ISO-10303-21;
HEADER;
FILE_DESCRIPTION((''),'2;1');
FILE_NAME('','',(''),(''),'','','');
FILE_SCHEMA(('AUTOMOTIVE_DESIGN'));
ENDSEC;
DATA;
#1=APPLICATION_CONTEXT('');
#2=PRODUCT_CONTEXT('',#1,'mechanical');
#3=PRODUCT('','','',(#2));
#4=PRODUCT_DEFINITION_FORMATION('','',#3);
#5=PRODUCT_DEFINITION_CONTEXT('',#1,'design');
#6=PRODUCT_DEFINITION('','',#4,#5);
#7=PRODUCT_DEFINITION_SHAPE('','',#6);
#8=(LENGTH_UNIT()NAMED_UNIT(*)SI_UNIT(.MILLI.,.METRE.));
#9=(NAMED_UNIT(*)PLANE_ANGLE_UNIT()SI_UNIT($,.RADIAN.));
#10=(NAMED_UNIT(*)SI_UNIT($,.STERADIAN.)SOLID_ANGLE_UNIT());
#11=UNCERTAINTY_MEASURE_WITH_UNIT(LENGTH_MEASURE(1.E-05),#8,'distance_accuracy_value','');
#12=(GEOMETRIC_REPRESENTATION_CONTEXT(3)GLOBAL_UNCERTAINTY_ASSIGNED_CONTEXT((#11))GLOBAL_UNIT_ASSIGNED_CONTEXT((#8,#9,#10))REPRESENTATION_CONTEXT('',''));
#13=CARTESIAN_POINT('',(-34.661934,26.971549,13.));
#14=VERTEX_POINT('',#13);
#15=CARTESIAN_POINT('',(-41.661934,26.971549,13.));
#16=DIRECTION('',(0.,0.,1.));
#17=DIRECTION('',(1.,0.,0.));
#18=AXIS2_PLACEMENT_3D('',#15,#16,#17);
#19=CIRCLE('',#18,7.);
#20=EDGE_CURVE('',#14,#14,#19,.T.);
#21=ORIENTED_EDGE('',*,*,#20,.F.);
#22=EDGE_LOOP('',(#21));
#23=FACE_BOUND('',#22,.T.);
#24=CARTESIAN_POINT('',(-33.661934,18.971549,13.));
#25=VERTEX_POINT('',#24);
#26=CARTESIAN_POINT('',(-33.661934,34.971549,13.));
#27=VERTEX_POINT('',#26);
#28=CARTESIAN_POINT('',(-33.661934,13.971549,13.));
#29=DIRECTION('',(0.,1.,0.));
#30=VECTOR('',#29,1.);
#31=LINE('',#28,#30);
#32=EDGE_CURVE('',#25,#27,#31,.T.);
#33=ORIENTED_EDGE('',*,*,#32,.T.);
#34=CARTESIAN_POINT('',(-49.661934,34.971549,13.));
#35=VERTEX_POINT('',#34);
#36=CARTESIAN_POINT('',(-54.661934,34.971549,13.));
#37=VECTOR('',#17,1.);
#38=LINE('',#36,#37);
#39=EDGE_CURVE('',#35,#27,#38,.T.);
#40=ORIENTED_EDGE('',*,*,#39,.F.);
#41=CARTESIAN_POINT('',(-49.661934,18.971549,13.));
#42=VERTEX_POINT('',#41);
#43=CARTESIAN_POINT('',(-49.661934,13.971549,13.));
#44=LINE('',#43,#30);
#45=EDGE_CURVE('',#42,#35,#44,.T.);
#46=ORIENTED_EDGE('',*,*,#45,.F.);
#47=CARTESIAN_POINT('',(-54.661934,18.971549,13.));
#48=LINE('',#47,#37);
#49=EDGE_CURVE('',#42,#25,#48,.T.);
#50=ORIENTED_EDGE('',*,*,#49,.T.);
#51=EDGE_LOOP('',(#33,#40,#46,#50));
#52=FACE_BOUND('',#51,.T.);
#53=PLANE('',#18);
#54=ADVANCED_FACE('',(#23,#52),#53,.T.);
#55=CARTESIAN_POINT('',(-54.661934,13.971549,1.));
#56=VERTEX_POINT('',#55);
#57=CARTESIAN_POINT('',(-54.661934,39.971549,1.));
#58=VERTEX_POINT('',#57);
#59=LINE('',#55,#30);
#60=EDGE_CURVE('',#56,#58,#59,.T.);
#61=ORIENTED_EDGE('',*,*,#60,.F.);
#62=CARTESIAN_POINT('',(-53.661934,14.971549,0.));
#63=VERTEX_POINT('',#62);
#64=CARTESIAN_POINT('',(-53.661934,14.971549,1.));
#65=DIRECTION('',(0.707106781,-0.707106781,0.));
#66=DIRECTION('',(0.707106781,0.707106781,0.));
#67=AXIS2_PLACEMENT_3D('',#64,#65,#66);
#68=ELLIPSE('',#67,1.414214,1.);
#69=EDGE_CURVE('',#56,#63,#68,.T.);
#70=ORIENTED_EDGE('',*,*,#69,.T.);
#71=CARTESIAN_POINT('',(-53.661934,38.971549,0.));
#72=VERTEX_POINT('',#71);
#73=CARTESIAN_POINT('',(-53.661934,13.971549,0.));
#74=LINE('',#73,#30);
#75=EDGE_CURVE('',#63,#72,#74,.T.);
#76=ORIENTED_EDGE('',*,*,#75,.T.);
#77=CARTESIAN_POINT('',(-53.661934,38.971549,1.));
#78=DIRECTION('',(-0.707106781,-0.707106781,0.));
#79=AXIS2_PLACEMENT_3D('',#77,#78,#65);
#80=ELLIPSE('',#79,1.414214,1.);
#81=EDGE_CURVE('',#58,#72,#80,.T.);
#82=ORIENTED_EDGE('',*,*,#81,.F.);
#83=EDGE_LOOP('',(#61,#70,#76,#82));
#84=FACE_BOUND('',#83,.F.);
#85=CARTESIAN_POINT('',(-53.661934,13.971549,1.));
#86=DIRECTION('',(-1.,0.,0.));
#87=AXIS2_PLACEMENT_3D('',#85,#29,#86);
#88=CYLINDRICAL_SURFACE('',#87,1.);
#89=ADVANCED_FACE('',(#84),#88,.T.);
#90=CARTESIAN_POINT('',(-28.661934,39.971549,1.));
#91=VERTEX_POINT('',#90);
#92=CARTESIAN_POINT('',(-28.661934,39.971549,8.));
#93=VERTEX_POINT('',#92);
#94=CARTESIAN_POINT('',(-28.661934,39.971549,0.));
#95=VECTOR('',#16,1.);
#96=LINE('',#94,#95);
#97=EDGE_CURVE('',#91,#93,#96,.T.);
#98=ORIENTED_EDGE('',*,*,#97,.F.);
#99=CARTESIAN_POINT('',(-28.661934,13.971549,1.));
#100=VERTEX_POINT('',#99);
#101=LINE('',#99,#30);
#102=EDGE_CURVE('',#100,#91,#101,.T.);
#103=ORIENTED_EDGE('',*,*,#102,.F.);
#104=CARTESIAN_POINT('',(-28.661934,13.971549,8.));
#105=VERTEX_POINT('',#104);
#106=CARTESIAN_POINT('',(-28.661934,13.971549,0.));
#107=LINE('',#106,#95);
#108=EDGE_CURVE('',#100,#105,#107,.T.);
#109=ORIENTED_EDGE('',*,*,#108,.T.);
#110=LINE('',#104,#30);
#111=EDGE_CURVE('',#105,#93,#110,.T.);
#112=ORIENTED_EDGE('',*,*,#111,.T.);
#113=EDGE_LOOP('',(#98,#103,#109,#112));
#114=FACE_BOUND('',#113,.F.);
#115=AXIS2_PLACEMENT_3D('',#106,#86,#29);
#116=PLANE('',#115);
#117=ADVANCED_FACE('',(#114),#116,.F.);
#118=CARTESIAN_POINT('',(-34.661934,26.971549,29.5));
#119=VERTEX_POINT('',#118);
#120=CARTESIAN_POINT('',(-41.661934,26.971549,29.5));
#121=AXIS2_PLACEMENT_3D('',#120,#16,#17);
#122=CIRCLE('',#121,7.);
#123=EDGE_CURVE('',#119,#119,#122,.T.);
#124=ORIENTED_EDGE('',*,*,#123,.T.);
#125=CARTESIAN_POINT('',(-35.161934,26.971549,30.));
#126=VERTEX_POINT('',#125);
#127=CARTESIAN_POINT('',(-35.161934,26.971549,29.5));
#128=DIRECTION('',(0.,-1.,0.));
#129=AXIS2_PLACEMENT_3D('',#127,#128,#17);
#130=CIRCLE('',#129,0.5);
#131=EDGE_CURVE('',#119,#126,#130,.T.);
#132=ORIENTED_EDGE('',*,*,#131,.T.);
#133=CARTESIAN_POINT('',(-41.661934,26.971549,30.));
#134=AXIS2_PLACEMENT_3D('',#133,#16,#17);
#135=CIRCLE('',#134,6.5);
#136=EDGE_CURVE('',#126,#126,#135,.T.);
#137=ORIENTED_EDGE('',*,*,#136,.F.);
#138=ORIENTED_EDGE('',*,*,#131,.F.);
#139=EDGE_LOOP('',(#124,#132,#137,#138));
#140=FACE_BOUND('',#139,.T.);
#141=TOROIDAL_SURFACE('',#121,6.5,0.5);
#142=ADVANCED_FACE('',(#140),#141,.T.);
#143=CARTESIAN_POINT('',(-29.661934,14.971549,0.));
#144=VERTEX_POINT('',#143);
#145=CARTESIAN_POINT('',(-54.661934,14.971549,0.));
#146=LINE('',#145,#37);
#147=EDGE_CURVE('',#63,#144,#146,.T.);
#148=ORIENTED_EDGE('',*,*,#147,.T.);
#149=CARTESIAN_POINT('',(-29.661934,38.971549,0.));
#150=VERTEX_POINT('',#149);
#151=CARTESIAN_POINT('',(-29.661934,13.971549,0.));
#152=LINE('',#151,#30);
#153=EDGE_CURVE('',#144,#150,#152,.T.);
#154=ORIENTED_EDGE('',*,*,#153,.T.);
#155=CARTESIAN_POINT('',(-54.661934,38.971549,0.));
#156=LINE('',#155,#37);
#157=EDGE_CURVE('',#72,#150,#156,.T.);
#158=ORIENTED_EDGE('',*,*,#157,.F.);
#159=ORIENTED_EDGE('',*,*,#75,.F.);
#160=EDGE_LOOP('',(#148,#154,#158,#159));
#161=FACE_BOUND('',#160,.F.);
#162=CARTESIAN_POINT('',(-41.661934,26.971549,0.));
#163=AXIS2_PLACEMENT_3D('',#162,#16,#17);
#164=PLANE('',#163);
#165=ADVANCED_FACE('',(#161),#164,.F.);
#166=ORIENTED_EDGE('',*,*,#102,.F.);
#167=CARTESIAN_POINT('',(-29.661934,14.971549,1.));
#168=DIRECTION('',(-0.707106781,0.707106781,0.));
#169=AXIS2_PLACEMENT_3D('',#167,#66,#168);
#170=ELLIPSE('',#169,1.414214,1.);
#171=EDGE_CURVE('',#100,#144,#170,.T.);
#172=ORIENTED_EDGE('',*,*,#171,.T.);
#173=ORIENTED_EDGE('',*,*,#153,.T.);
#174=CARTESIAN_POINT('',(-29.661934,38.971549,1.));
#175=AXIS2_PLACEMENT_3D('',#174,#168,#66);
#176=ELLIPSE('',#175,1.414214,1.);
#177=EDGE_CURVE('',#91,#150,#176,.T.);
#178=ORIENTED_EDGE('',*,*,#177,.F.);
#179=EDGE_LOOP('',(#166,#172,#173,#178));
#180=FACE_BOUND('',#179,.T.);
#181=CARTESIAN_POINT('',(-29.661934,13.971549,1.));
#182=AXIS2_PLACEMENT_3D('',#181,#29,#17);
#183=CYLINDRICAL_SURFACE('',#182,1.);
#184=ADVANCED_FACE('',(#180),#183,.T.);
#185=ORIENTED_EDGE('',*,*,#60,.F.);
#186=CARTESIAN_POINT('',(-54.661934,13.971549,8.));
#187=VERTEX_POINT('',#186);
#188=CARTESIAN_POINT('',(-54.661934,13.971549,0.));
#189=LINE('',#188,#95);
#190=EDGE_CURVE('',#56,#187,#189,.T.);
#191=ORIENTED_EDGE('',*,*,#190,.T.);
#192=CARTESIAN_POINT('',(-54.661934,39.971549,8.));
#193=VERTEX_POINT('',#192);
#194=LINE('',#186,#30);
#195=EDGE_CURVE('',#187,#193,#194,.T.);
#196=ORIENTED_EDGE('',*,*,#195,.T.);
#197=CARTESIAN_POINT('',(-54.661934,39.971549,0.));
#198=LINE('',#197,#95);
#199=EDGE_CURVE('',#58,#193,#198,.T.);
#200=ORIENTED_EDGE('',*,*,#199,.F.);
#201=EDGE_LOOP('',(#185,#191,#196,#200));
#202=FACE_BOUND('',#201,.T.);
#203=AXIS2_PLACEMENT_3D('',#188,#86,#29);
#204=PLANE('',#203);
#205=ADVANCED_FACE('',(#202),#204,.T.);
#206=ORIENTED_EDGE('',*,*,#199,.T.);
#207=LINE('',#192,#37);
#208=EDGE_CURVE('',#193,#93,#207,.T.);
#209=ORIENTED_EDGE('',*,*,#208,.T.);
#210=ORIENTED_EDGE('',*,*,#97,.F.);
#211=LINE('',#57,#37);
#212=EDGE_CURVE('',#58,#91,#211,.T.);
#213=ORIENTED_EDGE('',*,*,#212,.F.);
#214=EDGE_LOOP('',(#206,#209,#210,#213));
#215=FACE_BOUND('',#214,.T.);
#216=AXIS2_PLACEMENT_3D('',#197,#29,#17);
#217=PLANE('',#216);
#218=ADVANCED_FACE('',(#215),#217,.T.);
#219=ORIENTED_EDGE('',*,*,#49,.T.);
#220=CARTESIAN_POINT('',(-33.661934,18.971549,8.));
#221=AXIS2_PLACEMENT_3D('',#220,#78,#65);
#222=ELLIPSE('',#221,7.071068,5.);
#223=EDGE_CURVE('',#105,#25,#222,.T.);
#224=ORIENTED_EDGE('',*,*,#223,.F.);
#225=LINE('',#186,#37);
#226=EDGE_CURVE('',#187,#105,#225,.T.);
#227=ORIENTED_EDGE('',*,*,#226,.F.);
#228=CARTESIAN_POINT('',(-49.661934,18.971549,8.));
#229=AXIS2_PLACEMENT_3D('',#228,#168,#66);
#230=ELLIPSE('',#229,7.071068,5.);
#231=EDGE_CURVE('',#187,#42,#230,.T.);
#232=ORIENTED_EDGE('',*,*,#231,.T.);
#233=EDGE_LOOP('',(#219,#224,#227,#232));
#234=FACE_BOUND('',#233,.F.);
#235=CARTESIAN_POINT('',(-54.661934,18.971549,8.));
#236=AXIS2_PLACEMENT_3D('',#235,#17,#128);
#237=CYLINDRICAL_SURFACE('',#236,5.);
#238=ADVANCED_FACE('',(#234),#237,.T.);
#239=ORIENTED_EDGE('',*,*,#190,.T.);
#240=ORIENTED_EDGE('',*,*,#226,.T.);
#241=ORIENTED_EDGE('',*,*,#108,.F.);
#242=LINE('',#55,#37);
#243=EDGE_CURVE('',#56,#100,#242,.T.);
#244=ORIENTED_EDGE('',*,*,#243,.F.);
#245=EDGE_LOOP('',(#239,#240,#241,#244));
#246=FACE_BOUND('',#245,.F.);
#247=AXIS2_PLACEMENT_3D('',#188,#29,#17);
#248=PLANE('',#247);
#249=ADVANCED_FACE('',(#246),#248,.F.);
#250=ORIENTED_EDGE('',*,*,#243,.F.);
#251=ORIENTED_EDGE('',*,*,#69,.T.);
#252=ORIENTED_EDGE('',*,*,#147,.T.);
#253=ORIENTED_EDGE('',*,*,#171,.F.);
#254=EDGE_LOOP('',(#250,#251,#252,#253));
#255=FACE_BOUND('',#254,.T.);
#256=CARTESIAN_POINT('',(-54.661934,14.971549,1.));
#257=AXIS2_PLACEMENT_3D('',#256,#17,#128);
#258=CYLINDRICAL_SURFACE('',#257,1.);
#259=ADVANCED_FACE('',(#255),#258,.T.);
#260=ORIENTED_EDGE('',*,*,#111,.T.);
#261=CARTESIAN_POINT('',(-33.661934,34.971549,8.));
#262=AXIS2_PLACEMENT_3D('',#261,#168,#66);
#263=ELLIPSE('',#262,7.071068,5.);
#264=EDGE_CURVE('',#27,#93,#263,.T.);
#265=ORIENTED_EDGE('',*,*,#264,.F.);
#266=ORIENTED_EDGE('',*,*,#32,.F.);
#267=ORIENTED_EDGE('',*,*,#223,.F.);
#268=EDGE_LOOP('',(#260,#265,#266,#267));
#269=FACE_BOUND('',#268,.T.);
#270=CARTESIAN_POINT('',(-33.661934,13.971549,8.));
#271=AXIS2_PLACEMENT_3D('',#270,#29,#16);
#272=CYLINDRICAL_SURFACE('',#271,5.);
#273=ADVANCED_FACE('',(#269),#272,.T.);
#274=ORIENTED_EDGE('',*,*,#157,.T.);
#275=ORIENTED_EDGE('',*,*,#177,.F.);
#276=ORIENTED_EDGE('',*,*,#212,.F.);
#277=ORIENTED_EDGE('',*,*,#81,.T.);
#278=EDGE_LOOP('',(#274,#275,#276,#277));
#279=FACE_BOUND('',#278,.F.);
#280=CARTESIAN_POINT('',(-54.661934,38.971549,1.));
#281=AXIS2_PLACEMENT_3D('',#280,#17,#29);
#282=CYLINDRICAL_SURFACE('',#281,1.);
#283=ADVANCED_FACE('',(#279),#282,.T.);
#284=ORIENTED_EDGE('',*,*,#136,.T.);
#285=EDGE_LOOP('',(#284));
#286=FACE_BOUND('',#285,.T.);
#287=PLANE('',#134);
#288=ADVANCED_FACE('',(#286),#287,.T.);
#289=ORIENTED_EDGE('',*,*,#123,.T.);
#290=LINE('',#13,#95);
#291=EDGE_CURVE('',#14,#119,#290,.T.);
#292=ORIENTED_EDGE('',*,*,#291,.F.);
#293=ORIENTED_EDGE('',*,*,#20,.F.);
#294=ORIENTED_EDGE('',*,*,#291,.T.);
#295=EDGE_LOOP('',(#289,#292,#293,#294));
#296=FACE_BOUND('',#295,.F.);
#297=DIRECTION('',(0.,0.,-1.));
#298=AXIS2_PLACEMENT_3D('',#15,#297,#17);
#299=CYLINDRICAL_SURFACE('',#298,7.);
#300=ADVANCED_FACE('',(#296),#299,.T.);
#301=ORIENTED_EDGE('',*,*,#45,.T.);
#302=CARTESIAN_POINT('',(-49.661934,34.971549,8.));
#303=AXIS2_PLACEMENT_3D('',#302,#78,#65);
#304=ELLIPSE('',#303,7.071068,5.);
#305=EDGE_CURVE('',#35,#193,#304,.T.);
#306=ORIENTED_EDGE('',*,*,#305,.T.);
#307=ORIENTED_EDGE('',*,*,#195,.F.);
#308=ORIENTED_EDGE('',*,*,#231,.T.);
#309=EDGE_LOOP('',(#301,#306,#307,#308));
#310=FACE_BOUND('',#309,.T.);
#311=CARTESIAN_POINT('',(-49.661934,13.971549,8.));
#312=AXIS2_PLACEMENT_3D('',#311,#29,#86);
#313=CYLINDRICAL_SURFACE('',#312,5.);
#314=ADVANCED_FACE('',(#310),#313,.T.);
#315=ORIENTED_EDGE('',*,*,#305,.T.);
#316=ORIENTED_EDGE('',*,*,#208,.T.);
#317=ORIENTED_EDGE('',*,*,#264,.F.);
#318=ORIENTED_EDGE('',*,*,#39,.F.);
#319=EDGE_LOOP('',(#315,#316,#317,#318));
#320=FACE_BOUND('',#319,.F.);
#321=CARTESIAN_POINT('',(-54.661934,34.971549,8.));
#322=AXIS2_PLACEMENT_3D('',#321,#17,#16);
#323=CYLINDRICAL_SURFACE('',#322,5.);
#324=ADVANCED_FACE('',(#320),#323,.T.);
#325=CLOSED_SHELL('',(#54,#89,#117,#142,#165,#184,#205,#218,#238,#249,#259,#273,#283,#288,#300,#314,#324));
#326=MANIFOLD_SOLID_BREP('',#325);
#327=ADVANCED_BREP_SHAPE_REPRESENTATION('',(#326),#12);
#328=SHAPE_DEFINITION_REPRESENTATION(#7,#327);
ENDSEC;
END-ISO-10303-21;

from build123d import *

# Parameters (mm, degrees)
F0_W     = 26
F0_H     = 26
F1_DEPTH = 13
F2_R     = 1
F3_R     = 5
F4_R     = 7
F5_DEPTH = 17
F6_R     = 0.5


with BuildPart() as f1:
    # F0 (on Top) → F1 (new body)
    with BuildSketch(Plane.XY):
        with Locations((-41.661934, 26.971549)):
            Rectangle(F0_W, F0_H)
    extrude(amount=F1_DEPTH)

    # F2
    f2_edges = [f1.edges().sort_by_distance(p)[0] for p in [
        (-28.661934, 26.971549, 0),
        (-41.661934, 39.971549, 0),
        (-54.661934, 26.971549, 0),
        (-41.661934, 13.971549, 0),
    ]]
    fillet(f2_edges, radius=F2_R)

    # F3
    f3_edges = [f1.edges().sort_by_distance(p)[0] for p in [
        (-41.661934, 39.971549, 13),
        (-54.661934, 26.971549, 13),
        (-41.661934, 13.971549, 13),
        (-28.661934, 26.971549, 13),
    ]]
    fillet(f3_edges, radius=F3_R)

    # F4 (on face) → F5 (join)
    with BuildSketch(Plane.XY.offset(13)):
        with Locations((-41.661934, 26.971549)):
            Circle(F4_R)
    extrude(amount=F5_DEPTH)

    # F6
    f6_edges = [f1.edges().sort_by_distance(p)[0] for p in [
        (-48.661934, 26.971549, 30),
    ]]
    fillet(f6_edges, radius=F6_R)


solid = f1.part
